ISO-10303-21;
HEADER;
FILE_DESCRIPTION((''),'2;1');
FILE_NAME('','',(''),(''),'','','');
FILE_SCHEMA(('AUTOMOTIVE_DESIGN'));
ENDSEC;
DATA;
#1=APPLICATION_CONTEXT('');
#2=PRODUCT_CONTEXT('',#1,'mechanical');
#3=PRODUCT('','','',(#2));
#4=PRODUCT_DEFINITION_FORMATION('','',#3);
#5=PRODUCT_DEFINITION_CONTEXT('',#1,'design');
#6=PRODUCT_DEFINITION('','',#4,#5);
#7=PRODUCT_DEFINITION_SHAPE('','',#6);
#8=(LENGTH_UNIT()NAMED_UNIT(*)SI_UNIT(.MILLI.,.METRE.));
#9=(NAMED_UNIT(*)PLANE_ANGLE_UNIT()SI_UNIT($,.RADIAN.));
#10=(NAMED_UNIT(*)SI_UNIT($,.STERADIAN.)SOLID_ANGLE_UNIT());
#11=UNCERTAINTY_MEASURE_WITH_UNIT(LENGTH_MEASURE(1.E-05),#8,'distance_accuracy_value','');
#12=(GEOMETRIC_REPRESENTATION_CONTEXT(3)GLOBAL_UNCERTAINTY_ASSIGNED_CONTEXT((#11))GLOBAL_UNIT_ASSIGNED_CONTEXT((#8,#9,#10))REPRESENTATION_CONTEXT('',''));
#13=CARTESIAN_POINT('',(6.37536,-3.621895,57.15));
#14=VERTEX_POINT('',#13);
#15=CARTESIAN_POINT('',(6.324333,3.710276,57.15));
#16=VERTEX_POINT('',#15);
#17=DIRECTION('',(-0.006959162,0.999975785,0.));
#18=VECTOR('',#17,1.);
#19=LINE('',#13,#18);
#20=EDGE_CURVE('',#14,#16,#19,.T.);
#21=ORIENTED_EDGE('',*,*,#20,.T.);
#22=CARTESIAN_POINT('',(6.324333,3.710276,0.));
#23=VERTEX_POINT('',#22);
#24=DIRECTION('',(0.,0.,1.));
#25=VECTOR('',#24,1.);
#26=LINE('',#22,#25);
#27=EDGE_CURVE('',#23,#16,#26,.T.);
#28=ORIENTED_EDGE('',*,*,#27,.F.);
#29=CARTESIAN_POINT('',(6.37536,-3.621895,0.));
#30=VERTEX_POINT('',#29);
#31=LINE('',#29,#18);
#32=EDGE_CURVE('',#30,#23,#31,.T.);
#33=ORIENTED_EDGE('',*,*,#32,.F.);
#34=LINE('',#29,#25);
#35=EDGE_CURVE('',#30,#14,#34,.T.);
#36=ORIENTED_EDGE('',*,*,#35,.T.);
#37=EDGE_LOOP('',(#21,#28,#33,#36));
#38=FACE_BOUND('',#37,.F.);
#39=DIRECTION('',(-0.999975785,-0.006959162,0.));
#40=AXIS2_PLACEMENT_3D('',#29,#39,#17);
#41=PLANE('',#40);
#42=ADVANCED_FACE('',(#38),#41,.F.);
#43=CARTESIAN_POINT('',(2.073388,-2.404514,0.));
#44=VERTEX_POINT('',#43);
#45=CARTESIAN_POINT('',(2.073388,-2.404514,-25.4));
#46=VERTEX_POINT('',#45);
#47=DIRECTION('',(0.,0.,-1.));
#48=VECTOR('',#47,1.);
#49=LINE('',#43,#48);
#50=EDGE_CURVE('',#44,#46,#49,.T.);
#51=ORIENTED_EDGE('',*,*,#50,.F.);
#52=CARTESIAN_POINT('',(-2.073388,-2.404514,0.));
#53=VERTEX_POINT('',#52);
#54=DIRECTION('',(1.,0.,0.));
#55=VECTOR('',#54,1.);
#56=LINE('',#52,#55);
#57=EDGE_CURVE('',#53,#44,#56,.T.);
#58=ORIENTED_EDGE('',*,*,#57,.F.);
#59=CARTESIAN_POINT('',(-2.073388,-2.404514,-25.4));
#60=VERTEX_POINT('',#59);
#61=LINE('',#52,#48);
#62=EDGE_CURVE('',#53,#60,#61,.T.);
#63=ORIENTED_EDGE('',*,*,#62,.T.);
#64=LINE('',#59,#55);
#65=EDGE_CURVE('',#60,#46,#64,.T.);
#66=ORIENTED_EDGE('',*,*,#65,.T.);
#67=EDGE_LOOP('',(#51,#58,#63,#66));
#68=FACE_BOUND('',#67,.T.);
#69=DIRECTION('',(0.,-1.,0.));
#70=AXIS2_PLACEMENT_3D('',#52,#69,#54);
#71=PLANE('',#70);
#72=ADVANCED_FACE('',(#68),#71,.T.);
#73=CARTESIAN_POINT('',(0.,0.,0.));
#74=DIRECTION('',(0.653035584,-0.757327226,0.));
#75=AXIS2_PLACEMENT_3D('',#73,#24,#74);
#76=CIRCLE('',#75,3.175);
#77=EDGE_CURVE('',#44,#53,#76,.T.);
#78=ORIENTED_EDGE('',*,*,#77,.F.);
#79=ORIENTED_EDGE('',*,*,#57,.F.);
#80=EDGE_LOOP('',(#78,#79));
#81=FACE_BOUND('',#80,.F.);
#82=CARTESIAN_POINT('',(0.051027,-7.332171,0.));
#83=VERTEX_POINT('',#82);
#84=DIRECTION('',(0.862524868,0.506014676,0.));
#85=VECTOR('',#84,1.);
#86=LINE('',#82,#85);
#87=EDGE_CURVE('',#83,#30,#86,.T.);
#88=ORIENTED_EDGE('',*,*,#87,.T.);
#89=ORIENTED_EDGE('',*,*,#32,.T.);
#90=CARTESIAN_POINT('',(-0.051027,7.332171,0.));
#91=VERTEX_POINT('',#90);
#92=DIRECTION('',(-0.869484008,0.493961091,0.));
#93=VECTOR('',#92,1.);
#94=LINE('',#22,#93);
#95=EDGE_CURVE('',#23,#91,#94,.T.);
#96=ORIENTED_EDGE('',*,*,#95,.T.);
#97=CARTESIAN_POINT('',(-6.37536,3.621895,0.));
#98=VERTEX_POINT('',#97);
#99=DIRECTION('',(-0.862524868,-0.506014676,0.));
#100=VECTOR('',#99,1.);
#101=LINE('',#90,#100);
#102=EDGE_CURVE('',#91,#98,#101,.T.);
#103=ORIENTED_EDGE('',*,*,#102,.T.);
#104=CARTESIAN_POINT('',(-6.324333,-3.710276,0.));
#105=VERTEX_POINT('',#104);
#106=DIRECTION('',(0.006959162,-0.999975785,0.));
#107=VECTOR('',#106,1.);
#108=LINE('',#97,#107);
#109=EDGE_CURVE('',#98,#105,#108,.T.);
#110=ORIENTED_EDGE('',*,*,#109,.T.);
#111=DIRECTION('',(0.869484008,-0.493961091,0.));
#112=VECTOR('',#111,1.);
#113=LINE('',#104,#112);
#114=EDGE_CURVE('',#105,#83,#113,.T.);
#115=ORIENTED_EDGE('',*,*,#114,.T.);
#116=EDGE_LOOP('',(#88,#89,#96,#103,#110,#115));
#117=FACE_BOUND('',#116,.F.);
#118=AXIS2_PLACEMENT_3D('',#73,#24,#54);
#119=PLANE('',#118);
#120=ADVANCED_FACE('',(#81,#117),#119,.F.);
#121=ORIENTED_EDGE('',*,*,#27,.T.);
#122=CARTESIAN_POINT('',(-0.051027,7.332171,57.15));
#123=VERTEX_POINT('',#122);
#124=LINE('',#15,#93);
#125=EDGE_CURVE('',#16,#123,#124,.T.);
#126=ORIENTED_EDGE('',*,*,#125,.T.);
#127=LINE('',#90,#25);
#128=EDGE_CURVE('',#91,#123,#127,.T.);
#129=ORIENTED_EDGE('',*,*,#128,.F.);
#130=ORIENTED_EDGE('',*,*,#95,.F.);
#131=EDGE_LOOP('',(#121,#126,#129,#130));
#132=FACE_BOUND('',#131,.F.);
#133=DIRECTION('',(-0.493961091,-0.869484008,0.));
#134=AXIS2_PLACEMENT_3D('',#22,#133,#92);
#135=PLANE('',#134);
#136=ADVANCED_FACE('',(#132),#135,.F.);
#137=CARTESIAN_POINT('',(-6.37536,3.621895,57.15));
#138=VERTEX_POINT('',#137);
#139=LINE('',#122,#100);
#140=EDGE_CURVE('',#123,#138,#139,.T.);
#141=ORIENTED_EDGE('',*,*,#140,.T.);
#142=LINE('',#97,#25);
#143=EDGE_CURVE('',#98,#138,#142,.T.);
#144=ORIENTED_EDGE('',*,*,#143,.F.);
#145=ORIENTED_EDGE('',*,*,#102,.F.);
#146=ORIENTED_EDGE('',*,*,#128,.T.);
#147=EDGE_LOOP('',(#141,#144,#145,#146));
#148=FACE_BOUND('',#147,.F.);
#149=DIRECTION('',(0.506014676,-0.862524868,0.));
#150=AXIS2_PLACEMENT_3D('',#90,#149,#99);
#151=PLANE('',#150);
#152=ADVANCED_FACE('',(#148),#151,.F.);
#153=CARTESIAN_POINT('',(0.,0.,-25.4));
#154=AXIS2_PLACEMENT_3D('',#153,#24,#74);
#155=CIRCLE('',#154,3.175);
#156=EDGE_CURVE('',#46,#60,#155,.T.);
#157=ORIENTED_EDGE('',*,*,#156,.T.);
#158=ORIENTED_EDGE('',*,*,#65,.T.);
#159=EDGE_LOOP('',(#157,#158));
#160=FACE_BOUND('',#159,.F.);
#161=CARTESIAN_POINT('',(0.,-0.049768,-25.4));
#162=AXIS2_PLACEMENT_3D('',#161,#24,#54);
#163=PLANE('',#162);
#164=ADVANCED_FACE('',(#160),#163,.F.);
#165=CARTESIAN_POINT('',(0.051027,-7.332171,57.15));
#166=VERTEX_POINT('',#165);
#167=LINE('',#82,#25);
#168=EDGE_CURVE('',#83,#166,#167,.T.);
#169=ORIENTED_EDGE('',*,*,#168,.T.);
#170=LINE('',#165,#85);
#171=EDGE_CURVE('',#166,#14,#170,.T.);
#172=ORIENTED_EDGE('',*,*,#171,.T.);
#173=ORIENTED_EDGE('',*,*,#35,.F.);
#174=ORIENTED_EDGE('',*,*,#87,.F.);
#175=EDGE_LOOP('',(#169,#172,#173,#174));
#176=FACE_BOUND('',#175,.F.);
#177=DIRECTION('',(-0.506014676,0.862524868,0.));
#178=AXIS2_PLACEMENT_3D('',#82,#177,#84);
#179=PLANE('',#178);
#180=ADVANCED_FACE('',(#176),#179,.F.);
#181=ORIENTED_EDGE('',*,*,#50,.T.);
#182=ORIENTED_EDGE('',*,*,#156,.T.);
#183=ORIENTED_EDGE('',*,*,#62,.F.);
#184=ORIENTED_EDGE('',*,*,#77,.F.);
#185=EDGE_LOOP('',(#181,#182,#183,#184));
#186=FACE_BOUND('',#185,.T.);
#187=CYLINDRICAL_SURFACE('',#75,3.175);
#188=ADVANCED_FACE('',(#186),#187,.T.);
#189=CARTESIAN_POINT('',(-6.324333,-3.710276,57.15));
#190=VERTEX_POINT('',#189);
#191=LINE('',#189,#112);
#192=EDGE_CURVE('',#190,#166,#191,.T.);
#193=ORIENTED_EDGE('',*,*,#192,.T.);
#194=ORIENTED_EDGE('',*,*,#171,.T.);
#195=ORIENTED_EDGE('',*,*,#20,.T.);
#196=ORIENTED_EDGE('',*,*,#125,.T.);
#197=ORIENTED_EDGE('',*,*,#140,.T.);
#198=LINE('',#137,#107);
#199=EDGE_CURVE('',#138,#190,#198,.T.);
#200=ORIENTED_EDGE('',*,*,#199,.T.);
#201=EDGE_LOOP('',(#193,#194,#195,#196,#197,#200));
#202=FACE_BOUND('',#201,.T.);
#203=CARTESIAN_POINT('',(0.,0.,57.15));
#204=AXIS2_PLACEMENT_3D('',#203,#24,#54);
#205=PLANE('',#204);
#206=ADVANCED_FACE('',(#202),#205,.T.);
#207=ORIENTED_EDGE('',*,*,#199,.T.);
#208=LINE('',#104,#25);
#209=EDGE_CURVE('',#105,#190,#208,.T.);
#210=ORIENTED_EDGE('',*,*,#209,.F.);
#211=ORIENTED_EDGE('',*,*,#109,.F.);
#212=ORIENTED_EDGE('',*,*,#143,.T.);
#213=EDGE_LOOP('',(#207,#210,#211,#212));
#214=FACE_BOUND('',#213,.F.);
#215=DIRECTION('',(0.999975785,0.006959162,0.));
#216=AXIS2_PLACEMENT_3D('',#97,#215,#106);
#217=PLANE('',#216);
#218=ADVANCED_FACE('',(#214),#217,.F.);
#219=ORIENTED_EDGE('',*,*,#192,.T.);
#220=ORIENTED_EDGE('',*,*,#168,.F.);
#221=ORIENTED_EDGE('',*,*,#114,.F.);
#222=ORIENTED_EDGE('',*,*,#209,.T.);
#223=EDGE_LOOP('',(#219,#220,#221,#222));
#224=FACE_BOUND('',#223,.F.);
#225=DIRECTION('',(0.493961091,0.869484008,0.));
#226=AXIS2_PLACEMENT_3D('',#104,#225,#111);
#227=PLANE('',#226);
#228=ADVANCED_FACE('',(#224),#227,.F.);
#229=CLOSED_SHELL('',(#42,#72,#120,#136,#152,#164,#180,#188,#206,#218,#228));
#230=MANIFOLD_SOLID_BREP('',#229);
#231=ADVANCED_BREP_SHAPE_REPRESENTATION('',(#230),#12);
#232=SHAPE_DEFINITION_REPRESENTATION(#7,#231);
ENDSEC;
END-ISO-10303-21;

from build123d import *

# Parameters (mm, degrees)
F1_DEPTH = 57.15
F3_DEPTH = 25.4


with BuildPart() as f1:
    # F0 (on Top) → F1 (new body)
    with BuildSketch(Plane.XY):
        Polygon((0.051027, -7.332171), (6.37536, -3.621895), (6.324333, 3.710276), (-0.051027, 7.332171), (-6.37536, 3.621895), (-6.324333, -3.710276), align=None)
    extrude(amount=F1_DEPTH)

    # F2 (on Top) → F3 (join)
    with BuildSketch(Plane.XY):
        with BuildLine():
            Line((-2.073388, -2.404514), (2.073388, -2.404514))
            ThreePointArc((2.073388, -2.404514), (0, 3.175), (-2.073388, -2.404514))
        make_face()
    extrude(amount=-F3_DEPTH)


solid = f1.part
